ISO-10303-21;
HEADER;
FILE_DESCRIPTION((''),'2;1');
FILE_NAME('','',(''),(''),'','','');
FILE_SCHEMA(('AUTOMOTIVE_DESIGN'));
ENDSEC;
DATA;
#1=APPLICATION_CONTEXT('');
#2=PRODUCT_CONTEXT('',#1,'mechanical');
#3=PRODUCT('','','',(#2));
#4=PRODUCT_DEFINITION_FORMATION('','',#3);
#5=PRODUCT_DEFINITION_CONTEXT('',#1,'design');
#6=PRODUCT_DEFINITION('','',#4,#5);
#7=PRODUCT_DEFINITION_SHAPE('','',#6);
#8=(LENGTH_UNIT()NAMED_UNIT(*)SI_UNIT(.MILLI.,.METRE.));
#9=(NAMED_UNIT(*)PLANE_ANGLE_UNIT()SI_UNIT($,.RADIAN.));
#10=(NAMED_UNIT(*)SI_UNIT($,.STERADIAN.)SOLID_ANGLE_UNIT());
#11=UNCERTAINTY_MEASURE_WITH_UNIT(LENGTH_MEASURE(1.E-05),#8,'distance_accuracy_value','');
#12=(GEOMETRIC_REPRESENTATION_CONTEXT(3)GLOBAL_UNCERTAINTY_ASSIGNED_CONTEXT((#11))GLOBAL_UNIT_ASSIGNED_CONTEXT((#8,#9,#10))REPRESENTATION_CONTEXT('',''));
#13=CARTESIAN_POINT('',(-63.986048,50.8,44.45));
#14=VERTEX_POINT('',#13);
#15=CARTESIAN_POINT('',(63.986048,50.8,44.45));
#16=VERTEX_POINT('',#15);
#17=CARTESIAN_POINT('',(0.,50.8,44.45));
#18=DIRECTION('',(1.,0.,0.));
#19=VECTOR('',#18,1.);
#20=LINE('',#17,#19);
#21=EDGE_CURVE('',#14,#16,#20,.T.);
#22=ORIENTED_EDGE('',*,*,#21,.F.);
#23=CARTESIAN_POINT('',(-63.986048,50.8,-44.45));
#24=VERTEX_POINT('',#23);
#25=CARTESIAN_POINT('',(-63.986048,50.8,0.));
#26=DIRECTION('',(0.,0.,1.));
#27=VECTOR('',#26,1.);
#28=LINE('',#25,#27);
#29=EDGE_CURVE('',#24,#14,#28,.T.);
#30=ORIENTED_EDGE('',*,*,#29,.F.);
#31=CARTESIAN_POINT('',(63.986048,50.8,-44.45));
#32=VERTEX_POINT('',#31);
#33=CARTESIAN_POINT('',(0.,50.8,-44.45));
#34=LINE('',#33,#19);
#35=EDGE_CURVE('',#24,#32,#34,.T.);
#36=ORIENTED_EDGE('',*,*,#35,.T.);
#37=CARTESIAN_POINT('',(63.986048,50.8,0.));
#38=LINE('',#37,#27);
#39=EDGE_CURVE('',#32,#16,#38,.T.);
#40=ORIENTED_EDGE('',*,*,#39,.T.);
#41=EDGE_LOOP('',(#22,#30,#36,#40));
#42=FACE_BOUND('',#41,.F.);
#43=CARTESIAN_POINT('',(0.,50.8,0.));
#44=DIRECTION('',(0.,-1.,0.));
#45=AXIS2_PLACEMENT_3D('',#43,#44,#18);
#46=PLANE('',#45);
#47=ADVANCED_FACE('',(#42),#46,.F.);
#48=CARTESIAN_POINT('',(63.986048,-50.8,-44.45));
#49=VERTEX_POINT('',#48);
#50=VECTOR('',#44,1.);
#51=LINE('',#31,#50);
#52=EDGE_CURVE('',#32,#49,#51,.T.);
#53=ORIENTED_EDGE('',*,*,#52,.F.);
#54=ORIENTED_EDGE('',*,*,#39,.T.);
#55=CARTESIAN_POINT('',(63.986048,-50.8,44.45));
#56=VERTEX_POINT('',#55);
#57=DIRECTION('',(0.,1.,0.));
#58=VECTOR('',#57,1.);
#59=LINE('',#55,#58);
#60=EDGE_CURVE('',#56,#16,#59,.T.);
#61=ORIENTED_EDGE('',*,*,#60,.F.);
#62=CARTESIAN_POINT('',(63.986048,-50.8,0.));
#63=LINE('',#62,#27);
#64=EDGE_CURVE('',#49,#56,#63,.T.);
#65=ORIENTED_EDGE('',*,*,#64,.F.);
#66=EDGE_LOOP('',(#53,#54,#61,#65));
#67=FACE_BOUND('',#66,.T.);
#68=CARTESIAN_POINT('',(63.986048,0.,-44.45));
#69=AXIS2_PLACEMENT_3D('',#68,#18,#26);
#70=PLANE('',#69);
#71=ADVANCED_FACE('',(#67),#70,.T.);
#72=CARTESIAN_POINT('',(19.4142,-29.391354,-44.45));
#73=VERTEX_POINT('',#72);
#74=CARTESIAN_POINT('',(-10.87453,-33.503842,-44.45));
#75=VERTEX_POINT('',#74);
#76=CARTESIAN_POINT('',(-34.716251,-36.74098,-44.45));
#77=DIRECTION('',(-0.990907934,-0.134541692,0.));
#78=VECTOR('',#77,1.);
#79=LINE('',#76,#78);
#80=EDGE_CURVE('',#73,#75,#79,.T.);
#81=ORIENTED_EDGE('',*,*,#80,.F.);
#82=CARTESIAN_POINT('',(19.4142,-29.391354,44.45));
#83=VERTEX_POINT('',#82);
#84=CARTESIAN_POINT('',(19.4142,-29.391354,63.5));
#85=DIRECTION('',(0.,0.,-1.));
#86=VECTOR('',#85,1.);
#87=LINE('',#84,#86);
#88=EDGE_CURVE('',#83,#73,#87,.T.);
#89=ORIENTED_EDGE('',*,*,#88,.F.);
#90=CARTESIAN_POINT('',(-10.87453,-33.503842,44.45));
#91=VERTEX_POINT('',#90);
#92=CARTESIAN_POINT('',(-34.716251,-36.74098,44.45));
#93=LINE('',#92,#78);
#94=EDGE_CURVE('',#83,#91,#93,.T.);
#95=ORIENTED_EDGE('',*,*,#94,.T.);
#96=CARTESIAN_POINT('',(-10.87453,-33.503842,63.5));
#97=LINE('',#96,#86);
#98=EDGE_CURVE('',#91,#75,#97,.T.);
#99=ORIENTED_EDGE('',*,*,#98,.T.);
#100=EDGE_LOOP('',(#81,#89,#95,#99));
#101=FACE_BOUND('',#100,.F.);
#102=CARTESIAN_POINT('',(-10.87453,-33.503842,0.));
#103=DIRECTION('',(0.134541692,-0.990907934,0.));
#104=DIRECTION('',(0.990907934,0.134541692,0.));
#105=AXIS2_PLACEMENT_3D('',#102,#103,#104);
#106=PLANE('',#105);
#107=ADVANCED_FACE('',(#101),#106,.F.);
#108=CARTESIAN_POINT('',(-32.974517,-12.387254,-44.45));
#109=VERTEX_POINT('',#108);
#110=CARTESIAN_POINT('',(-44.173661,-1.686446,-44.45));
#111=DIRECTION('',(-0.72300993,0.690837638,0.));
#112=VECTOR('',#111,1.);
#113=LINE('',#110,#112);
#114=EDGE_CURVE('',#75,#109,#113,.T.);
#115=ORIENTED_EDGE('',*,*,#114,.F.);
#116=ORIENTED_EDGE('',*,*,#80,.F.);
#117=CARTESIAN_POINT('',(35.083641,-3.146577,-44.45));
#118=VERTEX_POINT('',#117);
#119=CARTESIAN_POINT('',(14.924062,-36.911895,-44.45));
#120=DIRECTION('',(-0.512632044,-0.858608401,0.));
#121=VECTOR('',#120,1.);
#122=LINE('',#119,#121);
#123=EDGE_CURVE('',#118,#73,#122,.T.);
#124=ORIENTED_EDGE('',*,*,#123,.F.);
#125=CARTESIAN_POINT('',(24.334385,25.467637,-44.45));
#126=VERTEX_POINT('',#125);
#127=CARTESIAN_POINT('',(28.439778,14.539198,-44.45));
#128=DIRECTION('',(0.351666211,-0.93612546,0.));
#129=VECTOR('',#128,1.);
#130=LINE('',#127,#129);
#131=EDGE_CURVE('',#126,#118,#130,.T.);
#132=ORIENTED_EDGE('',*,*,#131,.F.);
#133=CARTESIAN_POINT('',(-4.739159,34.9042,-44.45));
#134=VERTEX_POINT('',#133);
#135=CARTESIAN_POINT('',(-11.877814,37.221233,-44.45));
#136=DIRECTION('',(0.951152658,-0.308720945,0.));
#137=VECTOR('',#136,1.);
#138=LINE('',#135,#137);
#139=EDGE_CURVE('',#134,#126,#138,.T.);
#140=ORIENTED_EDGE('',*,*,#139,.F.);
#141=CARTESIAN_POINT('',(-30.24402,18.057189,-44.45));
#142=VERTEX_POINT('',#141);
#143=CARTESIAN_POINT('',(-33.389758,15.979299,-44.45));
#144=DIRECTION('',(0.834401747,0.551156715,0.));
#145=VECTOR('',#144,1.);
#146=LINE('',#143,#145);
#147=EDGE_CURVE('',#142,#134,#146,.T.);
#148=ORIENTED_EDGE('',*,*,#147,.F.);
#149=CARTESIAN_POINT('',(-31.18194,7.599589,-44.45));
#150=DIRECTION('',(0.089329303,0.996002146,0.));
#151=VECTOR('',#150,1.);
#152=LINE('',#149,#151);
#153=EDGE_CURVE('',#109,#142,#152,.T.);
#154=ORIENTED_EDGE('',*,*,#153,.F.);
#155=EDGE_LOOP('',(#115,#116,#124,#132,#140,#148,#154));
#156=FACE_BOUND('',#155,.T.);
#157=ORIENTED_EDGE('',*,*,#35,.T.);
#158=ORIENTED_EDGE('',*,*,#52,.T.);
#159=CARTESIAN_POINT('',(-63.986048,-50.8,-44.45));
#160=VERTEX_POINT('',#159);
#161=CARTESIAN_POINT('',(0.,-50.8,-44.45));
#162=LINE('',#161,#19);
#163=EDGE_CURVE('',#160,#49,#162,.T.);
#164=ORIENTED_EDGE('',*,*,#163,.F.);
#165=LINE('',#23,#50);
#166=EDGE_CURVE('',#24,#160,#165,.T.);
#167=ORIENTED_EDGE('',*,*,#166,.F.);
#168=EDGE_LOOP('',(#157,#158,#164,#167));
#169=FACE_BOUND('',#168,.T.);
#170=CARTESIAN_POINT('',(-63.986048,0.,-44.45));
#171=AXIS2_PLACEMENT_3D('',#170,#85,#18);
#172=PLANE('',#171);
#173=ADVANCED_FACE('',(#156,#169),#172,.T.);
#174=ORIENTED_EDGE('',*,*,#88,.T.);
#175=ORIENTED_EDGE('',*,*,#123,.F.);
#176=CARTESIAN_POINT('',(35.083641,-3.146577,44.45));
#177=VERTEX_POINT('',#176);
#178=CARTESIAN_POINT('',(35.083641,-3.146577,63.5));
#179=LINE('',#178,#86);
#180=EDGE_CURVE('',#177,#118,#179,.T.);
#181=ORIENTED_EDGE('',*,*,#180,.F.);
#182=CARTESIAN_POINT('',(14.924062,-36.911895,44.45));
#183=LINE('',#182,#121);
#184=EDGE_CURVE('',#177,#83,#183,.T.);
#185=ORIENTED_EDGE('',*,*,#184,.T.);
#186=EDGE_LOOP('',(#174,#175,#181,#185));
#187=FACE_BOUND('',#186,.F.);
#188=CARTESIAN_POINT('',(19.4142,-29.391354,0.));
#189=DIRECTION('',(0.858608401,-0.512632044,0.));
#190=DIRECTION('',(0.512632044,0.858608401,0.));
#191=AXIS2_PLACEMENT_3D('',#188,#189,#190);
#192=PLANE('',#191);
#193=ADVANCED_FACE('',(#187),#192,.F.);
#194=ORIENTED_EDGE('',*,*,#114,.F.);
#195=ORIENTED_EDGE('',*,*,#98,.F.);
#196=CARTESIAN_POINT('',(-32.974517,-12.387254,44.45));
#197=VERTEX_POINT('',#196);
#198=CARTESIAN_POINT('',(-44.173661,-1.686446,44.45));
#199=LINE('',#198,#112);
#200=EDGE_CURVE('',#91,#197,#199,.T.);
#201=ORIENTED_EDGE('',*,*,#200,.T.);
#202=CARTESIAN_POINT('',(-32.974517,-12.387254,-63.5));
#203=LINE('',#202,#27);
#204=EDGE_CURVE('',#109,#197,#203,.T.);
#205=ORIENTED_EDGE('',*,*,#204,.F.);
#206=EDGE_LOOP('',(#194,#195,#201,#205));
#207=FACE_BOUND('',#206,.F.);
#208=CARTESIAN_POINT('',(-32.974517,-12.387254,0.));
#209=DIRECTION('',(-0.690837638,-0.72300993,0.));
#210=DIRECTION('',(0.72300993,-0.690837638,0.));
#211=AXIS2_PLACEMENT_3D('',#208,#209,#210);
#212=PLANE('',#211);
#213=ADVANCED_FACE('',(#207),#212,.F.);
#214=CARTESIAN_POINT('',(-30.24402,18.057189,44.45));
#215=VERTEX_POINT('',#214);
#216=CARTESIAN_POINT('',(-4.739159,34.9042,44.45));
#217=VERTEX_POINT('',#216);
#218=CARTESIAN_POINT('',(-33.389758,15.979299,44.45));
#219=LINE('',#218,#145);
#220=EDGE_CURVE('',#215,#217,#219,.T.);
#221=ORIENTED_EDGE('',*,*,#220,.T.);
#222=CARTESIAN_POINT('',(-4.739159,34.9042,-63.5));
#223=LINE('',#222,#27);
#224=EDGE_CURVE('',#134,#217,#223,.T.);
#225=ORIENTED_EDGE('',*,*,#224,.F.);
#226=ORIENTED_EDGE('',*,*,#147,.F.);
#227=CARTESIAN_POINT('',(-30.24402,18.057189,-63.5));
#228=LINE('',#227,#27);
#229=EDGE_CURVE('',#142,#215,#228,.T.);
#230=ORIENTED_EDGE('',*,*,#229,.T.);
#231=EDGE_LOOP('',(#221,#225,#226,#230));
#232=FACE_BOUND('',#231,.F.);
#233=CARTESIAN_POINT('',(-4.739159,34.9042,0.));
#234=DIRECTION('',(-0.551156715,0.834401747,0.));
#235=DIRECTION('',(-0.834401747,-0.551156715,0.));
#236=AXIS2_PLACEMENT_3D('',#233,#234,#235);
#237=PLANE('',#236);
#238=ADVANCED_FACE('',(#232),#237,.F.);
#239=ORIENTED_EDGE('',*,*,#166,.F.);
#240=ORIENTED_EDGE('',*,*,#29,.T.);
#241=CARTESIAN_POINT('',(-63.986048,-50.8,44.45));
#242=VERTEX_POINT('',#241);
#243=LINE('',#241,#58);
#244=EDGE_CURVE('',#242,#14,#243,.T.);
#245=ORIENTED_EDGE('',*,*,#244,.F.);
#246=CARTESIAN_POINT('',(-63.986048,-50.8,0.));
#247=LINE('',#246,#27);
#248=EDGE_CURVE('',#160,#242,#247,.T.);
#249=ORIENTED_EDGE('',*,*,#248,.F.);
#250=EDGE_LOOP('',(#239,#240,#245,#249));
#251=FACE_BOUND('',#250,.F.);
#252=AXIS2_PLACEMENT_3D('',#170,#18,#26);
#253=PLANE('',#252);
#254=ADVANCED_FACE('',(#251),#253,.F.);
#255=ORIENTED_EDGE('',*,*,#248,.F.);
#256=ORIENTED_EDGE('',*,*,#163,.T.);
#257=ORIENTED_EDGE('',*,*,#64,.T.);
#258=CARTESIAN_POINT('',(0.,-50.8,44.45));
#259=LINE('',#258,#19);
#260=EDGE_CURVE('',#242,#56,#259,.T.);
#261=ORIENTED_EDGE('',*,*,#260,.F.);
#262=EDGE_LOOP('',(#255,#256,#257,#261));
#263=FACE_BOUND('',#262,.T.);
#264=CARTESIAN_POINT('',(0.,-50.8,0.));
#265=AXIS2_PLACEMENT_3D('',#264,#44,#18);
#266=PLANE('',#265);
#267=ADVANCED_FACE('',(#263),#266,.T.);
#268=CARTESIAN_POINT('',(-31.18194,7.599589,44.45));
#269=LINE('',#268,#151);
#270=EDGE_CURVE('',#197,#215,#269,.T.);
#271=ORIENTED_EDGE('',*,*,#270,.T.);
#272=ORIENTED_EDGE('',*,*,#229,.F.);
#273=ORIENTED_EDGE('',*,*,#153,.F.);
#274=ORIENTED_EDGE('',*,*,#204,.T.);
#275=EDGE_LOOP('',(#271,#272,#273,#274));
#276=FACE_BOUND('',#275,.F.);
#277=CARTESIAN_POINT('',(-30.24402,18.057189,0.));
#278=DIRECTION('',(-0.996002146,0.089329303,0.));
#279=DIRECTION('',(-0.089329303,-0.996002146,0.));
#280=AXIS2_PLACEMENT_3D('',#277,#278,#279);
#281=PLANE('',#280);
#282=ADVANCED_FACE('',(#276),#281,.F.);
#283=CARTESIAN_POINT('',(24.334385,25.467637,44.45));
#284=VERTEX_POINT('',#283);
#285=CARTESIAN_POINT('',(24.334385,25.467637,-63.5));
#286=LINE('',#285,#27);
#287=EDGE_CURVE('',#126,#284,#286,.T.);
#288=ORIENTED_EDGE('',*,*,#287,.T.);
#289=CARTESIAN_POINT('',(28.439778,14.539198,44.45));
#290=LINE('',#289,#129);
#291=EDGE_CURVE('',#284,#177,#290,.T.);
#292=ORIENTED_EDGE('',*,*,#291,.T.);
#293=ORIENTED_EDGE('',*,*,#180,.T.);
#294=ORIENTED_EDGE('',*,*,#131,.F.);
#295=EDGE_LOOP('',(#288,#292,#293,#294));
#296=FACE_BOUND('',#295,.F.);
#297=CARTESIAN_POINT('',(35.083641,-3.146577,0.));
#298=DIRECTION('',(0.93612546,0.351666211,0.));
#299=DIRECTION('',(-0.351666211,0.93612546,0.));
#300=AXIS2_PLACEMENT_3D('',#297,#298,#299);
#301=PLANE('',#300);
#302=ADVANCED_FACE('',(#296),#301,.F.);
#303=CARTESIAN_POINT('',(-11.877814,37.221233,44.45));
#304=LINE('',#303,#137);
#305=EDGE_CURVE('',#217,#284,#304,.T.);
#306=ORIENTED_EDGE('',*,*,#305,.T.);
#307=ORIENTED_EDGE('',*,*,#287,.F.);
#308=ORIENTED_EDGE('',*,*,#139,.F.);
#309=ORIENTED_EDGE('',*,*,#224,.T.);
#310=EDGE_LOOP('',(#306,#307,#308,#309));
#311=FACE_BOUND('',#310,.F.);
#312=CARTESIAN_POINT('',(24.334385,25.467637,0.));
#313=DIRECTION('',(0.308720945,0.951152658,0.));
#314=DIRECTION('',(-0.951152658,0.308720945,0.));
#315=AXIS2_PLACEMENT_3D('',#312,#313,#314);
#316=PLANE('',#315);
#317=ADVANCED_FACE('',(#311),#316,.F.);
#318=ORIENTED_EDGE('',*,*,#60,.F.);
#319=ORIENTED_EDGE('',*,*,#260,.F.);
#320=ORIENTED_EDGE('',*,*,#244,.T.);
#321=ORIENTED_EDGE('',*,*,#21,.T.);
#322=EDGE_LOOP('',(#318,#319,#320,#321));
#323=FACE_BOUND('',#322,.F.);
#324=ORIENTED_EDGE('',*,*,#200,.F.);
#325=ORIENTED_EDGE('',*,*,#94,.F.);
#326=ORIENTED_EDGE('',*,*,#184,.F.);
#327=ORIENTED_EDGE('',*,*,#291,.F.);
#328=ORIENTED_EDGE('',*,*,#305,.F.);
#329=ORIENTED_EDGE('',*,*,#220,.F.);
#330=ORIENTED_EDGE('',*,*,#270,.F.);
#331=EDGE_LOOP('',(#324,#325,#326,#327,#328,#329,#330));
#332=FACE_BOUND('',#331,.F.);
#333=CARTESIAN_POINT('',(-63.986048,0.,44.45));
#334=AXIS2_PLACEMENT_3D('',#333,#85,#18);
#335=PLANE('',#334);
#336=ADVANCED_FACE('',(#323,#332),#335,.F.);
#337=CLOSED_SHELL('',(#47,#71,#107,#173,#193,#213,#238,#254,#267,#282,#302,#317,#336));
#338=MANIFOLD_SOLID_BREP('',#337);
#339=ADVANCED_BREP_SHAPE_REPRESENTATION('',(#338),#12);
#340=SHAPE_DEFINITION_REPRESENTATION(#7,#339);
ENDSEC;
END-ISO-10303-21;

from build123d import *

# Parameters (mm, degrees)
F0_W     = 127.972096
F0_H     = 88.9
F1_DEPTH = 50.8
F3_DEPTH = 63.5


with BuildPart() as f1:
    # F0 (on Front) → F1 (new body, symmetric)
    with BuildSketch(Plane.XZ):
        Rectangle(F0_W, F0_H)
    extrude(amount=F1_DEPTH, both=True)

    # F2 (on Top) → F3 (cut, symmetric)
    with BuildSketch(Plane.XY):
        Polygon((35.083641, -3.146577), (24.334385, 25.467637), (-4.739159, 34.9042), (-30.24402, 18.057189), (-32.974517, -12.387254), (-10.87453, -33.503842), (19.4142, -29.391354), align=None)
    extrude(amount=F3_DEPTH, both=True, mode=Mode.SUBTRACT)


solid = f1.part
